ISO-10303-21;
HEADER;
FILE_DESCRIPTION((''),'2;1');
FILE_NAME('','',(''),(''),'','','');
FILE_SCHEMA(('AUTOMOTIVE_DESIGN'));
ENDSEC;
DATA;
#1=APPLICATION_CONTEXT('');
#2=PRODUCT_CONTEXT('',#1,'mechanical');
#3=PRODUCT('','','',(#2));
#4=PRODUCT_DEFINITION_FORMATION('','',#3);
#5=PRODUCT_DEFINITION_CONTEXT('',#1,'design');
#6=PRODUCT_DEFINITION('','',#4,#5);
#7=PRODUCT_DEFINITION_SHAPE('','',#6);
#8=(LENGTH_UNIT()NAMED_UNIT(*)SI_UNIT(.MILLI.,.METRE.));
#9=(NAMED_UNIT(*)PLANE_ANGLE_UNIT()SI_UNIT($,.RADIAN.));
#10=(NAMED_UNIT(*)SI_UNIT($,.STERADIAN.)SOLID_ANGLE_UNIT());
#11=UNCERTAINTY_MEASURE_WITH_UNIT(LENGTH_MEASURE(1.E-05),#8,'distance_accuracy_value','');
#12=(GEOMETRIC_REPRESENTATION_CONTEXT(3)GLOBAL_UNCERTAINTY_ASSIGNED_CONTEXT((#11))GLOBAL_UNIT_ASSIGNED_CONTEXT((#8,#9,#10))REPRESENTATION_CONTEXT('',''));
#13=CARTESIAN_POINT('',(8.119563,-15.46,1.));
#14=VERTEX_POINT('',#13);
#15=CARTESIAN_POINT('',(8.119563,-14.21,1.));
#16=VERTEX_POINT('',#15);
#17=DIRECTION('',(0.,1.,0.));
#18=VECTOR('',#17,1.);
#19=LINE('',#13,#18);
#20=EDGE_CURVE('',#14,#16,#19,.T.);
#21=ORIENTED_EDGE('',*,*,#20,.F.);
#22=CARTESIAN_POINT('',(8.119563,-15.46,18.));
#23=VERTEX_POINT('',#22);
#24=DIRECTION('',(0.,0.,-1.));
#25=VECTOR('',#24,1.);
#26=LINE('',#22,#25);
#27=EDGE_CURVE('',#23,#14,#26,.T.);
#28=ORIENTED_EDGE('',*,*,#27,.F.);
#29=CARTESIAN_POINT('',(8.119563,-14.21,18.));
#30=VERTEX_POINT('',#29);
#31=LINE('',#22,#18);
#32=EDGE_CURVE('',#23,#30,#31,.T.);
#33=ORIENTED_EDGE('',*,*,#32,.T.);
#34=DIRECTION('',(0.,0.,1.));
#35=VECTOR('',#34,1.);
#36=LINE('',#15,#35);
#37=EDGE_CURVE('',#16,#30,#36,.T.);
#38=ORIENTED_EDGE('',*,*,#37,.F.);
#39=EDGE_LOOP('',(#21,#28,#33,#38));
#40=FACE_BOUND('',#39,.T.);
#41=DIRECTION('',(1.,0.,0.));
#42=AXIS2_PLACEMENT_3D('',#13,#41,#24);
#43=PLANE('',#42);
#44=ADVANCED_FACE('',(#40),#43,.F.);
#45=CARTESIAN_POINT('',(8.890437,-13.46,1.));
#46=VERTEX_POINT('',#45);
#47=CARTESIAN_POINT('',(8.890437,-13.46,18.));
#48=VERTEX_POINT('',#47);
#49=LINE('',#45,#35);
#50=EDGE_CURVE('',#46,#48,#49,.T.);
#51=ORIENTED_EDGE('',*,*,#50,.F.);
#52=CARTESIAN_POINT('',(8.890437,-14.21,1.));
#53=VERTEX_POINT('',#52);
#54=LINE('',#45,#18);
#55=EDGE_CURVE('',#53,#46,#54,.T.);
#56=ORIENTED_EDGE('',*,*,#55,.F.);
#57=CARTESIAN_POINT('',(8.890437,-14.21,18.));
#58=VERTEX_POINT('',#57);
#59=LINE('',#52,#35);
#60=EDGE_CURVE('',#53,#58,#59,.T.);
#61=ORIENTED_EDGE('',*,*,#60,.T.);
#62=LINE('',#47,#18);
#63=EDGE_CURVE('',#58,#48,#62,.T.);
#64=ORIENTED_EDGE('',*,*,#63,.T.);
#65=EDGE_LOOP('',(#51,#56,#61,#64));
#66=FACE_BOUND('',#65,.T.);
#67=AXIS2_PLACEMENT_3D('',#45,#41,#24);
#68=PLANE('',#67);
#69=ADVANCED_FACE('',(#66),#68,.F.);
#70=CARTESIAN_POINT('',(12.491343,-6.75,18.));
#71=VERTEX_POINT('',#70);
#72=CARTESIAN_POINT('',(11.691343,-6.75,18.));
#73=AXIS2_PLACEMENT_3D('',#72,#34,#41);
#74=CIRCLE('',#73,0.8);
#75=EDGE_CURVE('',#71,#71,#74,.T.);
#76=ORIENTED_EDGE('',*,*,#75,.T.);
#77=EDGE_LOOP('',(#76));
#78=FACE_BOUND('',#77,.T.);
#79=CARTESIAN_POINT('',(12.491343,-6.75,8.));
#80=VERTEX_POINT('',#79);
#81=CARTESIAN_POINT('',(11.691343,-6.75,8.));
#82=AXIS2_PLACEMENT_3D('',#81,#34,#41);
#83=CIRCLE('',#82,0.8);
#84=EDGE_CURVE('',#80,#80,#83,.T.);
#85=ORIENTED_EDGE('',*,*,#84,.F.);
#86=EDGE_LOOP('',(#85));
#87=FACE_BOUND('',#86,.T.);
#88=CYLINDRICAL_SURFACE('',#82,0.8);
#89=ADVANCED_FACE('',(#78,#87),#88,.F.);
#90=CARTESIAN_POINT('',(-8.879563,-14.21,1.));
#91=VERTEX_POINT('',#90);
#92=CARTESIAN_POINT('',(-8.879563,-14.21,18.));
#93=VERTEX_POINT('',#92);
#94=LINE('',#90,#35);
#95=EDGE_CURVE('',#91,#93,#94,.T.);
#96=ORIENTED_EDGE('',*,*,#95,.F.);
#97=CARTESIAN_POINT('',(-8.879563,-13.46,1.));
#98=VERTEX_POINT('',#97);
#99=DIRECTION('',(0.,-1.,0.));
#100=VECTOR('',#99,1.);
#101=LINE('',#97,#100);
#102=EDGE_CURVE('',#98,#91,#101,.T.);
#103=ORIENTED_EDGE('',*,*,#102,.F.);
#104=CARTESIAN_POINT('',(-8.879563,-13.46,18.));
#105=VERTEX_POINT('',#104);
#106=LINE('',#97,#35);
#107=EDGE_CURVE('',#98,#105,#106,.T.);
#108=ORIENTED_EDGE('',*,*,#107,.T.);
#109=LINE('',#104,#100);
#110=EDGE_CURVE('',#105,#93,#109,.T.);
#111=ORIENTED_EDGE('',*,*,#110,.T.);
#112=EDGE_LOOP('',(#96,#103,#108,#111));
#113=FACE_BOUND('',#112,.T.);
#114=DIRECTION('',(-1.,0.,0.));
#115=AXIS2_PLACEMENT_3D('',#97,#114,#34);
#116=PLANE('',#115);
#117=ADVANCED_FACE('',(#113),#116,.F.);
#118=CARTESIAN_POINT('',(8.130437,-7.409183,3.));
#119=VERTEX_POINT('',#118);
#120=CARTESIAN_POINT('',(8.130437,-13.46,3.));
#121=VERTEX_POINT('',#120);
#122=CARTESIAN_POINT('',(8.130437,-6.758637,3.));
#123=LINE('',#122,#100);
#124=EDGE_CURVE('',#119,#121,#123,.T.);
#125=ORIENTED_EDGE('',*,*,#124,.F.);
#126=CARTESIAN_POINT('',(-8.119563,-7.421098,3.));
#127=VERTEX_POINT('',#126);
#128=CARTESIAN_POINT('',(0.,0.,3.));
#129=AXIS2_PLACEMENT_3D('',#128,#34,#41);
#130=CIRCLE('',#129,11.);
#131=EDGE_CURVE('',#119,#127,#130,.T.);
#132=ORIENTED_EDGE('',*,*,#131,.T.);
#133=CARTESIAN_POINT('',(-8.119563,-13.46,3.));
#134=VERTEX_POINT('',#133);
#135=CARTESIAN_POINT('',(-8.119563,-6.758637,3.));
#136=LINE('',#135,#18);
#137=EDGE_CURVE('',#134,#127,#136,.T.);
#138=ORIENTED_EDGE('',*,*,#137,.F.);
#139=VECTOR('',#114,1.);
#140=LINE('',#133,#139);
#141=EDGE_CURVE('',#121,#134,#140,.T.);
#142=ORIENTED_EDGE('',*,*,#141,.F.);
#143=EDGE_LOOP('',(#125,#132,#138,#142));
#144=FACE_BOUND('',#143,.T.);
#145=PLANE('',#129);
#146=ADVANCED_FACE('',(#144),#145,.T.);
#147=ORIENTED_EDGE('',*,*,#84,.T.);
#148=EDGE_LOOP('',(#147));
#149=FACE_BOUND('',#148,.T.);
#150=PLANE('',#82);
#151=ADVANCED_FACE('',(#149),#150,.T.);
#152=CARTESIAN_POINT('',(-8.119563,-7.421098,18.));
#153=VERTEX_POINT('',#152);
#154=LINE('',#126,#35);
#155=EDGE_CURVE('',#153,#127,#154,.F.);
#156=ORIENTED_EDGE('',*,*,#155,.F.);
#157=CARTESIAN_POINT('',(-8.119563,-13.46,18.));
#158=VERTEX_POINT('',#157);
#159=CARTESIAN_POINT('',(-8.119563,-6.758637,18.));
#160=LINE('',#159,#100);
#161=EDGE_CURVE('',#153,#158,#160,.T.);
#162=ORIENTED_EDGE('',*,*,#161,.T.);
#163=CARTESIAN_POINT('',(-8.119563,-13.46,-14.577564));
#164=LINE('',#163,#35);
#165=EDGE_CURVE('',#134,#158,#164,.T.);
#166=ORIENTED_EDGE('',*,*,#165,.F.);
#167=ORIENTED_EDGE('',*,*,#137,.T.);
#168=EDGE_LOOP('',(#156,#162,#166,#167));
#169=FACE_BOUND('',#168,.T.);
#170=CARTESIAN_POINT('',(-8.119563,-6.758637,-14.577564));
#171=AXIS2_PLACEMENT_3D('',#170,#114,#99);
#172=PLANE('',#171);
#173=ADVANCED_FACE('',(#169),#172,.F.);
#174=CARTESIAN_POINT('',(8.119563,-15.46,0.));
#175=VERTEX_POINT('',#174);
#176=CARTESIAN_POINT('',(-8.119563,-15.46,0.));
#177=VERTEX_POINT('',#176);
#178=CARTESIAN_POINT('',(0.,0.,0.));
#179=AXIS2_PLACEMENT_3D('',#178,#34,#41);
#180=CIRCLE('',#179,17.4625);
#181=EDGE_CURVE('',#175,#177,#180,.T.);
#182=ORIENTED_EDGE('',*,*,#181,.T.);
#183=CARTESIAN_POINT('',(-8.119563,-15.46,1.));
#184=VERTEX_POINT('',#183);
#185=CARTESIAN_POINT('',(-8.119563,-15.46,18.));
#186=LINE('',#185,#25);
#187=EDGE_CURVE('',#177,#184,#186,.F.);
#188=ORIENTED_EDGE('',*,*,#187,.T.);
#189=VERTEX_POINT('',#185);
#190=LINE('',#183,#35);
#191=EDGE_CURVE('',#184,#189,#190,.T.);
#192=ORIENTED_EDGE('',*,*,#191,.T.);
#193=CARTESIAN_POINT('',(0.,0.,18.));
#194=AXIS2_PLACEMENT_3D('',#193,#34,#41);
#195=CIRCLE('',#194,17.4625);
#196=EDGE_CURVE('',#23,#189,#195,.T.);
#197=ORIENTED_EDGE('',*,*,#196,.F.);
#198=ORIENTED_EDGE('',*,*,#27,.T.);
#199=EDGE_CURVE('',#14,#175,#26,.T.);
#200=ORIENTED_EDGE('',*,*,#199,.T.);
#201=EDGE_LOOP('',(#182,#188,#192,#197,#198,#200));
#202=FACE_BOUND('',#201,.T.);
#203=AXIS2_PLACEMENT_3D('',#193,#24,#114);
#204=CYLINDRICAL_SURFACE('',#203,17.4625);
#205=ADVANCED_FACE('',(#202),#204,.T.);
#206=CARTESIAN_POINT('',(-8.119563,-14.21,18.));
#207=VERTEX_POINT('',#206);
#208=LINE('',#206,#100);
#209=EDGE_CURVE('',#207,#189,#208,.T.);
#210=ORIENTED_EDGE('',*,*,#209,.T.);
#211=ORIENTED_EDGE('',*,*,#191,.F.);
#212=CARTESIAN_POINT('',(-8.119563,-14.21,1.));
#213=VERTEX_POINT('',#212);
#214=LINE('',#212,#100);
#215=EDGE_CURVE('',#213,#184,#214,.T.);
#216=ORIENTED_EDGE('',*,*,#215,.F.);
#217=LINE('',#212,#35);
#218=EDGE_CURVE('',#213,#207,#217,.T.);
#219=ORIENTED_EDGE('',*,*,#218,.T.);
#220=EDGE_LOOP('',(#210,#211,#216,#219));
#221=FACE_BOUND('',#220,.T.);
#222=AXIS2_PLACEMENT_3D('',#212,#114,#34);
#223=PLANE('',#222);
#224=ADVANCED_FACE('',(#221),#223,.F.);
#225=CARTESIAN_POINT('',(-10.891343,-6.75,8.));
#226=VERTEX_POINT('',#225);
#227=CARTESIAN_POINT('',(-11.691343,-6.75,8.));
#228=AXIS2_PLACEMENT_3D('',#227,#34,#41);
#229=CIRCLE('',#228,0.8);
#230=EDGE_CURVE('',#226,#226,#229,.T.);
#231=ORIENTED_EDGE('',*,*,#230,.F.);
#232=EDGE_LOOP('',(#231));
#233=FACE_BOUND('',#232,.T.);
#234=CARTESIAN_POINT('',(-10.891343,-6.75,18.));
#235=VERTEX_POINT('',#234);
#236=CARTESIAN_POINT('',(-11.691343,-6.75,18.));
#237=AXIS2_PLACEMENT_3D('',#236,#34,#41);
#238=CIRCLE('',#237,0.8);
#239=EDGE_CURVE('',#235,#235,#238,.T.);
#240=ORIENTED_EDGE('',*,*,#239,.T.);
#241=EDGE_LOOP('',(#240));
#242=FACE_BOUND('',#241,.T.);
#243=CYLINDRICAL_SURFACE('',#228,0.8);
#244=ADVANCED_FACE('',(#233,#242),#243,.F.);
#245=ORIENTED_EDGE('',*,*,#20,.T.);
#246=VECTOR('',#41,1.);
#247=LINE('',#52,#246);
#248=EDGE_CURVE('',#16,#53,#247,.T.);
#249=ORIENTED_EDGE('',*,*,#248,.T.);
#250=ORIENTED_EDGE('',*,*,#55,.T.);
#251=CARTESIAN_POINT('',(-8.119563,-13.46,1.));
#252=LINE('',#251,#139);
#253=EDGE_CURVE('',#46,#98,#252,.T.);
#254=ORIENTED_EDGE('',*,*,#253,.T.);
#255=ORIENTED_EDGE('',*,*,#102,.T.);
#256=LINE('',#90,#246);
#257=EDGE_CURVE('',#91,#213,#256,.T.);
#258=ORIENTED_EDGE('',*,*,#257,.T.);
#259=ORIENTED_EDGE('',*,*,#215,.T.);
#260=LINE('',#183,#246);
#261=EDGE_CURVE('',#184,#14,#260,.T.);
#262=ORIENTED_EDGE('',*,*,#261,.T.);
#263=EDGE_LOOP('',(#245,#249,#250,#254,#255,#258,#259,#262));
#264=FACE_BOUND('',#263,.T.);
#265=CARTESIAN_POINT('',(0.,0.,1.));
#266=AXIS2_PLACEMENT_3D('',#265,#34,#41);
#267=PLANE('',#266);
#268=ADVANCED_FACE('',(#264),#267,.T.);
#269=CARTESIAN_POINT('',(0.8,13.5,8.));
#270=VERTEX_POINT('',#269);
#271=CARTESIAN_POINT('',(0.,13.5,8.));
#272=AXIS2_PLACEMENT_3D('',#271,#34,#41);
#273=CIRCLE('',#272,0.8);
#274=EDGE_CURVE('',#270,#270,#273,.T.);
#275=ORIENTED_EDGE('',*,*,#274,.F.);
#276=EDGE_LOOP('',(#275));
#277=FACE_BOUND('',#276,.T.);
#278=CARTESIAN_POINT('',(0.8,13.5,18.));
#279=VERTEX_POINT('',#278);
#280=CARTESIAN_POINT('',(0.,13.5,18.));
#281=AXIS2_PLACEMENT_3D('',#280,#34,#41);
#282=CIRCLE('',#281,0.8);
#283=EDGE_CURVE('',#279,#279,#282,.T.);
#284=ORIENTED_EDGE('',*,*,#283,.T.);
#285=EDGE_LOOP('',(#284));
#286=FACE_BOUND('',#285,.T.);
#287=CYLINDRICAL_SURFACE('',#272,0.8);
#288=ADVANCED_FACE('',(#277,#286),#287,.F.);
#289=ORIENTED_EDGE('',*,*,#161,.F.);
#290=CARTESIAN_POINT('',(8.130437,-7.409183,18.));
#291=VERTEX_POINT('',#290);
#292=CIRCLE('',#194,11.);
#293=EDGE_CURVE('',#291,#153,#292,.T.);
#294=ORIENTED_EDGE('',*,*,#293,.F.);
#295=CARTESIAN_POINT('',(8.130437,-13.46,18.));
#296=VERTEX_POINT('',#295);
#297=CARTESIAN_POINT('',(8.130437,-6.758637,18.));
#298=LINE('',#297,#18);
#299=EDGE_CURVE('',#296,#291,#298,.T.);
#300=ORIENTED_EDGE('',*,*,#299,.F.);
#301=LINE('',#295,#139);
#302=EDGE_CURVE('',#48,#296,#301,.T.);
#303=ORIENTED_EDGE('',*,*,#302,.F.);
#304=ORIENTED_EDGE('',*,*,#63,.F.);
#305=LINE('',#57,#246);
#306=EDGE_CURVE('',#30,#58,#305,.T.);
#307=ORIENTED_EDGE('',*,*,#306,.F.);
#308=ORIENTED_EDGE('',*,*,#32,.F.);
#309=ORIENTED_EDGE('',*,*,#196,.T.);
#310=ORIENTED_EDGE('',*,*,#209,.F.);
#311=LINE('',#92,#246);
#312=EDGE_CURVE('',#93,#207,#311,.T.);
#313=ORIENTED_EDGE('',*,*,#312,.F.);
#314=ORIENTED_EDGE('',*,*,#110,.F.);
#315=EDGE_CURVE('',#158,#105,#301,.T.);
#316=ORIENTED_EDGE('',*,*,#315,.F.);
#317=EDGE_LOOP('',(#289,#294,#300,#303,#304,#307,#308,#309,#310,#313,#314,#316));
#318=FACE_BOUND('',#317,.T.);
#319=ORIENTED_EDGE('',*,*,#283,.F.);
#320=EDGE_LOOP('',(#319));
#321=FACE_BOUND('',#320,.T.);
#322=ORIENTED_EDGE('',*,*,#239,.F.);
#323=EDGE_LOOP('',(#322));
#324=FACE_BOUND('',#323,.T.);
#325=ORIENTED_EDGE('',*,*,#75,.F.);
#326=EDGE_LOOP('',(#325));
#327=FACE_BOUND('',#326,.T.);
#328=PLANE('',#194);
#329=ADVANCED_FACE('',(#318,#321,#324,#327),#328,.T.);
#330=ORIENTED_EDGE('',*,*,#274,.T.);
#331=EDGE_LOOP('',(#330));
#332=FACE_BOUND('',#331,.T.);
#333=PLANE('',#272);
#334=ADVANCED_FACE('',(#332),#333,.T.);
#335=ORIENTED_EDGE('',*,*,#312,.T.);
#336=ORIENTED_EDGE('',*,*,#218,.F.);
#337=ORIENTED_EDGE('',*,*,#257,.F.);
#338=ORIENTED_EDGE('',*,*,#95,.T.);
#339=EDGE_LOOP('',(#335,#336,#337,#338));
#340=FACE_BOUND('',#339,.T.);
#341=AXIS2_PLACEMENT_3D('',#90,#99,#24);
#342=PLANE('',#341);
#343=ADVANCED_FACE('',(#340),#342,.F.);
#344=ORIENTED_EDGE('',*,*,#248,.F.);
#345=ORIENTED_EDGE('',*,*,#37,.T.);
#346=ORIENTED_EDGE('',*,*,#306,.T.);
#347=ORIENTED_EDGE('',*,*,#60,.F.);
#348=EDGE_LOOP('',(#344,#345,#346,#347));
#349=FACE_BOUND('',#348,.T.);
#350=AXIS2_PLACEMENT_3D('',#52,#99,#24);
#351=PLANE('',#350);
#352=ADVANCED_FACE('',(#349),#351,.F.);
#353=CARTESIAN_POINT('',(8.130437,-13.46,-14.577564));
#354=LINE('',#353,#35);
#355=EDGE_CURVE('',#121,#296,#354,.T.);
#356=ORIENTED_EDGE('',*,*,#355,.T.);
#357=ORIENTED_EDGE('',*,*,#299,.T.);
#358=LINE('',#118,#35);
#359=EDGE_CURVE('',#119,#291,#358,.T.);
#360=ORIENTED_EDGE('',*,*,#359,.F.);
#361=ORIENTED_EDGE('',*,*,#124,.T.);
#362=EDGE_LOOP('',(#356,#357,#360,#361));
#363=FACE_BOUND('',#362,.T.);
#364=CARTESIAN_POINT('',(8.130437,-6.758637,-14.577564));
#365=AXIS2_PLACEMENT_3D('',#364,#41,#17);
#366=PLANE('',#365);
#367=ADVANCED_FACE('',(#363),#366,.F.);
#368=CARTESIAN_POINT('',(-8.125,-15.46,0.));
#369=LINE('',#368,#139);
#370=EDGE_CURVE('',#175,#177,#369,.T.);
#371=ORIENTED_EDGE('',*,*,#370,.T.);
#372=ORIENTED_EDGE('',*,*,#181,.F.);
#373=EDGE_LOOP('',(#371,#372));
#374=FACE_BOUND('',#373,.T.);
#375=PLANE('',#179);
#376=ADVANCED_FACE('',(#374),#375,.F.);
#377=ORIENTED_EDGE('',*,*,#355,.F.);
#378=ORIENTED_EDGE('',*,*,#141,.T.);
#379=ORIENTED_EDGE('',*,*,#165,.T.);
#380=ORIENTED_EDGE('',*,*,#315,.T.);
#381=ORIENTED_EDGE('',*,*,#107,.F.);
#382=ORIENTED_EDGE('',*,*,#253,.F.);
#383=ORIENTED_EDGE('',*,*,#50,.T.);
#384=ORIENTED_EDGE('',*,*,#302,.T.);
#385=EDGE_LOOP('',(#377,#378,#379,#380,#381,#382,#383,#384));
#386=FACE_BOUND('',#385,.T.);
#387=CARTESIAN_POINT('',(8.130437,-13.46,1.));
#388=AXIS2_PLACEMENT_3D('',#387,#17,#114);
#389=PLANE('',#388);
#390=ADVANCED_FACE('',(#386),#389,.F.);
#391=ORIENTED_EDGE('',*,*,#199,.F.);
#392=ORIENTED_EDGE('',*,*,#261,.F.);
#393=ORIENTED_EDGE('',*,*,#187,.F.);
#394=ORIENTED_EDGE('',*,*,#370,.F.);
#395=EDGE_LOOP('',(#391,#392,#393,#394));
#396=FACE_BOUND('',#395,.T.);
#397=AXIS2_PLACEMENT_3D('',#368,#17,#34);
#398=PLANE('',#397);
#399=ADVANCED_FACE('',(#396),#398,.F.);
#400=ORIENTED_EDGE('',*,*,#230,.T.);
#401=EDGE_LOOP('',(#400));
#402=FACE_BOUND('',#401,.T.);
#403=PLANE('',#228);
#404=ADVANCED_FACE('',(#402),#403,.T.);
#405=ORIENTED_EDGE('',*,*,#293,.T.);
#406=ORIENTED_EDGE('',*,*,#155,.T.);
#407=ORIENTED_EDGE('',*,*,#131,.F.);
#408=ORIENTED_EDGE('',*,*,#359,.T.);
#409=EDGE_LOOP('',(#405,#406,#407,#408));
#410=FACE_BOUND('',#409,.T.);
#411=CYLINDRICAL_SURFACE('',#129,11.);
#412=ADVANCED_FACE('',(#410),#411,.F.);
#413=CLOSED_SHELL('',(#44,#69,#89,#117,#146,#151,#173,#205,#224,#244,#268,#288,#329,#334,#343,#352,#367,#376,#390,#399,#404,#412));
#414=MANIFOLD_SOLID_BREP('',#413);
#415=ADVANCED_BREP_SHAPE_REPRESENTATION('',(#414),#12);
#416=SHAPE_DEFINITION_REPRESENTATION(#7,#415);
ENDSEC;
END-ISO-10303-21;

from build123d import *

# Parameters (mm, degrees)
SKETCH2_R           = 17.4625
BOSS_EXTRUDE1_DEPTH = 18
SKETCH13_R          = 0.8
CUT_EXTRUDE6_DEPTH  = 10
SKETCH16_R          = 11
CUT_EXTRUDE9_DEPTH  = 15
CUT_EXTRUDE11_DEPTH = 22
SKETCH21_W          = 16.25
SKETCH21_H          = 2.78436417
CUT_EXTRUDE12_DEPTH = 31.559414466
CUT_EXTRUDE13_REACH = 32.559
SKETCH24_W          = 16.25
SKETCH24_H          = 6.70136321
CUT_EXTRUDE14_DEPTH = 17


with BuildPart() as part:
    # Sketch2 → Boss-Extrude1 (new body)
    with BuildSketch(Plane.XY):
        Circle(SKETCH2_R)
    extrude(amount=BOSS_EXTRUDE1_DEPTH)

    # Sketch13 → Cut-Extrude6 (cut)
    with BuildSketch(Plane.XY.offset(18)):
        with Locations((0, 13.5)):
            Circle(SKETCH13_R)
        with Locations((11.691342951, -6.75)):
            Circle(SKETCH13_R)
        with Locations((-11.691342951, -6.75)):
            Circle(SKETCH13_R)
    extrude(amount=-CUT_EXTRUDE6_DEPTH, mode=Mode.SUBTRACT)

    # Sketch16 → Cut-Extrude9 (cut)
    with BuildSketch(Plane.XY.offset(18)):
        Circle(SKETCH16_R)
    extrude(amount=-CUT_EXTRUDE9_DEPTH, mode=Mode.SUBTRACT)

    # Sketch20 → Cut-Extrude11 (cut)
    with BuildSketch(Plane(origin=(5.95728493, 0, -11.08430825), x_dir=(0, 0, 1), z_dir=(0, 1, 0))):
        Polygon((16.52930825, -11.021800725), (16.52930825, -6.906800725), (14.92930825, -6.906800725), (14.92930825, -4.926800725), (16.52930825, -4.926800725), (16.52930825, -0.811800725), (18.05430825, -0.811800725), (18.05430825, 1.028199275), (22.11430825, 1.028199275), (22.11430825, -0.811800725), (23.63930825, -0.811800725), (23.63930825, -11.021800725), (22.11430825, -11.021800725), (22.11430825, -12.861800725), (18.05430825, -12.861800725), (18.05430825, -11.021800725), align=None)
    extrude(amount=-CUT_EXTRUDE11_DEPTH, mode=Mode.SUBTRACT)

    # Sketch21 → Cut-Extrude12 (cut, through all)
    with BuildSketch(Plane.XY.offset(18)):
        with Locations((0, -16.852182085)):
            Rectangle(SKETCH21_W, SKETCH21_H)
    extrude(amount=-CUT_EXTRUDE12_DEPTH, mode=Mode.SUBTRACT)

    # Cut-Extrude13: up to this face of the body (flat: up to its plane)
    cut_extrude13_end = Plane(part.part.faces().sort_by_distance((0, 0, 3))[0])
    # Sketch24 → Cut-Extrude13 (cut, up to the picked face)
    with BuildSketch(Plane.XY.offset(18), mode=Mode.PRIVATE) as cut_extrude13_sk1:
        with Locations((0.005436819, -10.109318395)):
            Rectangle(SKETCH24_W, SKETCH24_H)
    cut_extrude13_tool1 = split(extrude(cut_extrude13_sk1.sketch, amount=-CUT_EXTRUDE13_REACH, mode=Mode.PRIVATE), bisect_by=cut_extrude13_end, keep=Keep.BOTH, mode=Mode.PRIVATE)
    add(cut_extrude13_tool1.solids().sort_by(Axis((0.005437, -10.109318, 18), (0, 0, -1)))[0], mode=Mode.SUBTRACT)

    # Sketch26 → Cut-Extrude14 (cut)
    with BuildSketch(Plane.XY.offset(18)):
        Polygon((-8.119563181, -14.21), (-8.119563181, -15.46), (8.119563181, -15.46), (8.119563181, -14.21), (8.890436819, -14.21), (8.890436819, -13.46), (8.130436819, -13.46), (-8.119563181, -13.46), (-8.879563181, -13.46), (-8.879563181, -14.21), align=None)
    extrude(amount=-CUT_EXTRUDE14_DEPTH, mode=Mode.SUBTRACT)


solid = part.part
